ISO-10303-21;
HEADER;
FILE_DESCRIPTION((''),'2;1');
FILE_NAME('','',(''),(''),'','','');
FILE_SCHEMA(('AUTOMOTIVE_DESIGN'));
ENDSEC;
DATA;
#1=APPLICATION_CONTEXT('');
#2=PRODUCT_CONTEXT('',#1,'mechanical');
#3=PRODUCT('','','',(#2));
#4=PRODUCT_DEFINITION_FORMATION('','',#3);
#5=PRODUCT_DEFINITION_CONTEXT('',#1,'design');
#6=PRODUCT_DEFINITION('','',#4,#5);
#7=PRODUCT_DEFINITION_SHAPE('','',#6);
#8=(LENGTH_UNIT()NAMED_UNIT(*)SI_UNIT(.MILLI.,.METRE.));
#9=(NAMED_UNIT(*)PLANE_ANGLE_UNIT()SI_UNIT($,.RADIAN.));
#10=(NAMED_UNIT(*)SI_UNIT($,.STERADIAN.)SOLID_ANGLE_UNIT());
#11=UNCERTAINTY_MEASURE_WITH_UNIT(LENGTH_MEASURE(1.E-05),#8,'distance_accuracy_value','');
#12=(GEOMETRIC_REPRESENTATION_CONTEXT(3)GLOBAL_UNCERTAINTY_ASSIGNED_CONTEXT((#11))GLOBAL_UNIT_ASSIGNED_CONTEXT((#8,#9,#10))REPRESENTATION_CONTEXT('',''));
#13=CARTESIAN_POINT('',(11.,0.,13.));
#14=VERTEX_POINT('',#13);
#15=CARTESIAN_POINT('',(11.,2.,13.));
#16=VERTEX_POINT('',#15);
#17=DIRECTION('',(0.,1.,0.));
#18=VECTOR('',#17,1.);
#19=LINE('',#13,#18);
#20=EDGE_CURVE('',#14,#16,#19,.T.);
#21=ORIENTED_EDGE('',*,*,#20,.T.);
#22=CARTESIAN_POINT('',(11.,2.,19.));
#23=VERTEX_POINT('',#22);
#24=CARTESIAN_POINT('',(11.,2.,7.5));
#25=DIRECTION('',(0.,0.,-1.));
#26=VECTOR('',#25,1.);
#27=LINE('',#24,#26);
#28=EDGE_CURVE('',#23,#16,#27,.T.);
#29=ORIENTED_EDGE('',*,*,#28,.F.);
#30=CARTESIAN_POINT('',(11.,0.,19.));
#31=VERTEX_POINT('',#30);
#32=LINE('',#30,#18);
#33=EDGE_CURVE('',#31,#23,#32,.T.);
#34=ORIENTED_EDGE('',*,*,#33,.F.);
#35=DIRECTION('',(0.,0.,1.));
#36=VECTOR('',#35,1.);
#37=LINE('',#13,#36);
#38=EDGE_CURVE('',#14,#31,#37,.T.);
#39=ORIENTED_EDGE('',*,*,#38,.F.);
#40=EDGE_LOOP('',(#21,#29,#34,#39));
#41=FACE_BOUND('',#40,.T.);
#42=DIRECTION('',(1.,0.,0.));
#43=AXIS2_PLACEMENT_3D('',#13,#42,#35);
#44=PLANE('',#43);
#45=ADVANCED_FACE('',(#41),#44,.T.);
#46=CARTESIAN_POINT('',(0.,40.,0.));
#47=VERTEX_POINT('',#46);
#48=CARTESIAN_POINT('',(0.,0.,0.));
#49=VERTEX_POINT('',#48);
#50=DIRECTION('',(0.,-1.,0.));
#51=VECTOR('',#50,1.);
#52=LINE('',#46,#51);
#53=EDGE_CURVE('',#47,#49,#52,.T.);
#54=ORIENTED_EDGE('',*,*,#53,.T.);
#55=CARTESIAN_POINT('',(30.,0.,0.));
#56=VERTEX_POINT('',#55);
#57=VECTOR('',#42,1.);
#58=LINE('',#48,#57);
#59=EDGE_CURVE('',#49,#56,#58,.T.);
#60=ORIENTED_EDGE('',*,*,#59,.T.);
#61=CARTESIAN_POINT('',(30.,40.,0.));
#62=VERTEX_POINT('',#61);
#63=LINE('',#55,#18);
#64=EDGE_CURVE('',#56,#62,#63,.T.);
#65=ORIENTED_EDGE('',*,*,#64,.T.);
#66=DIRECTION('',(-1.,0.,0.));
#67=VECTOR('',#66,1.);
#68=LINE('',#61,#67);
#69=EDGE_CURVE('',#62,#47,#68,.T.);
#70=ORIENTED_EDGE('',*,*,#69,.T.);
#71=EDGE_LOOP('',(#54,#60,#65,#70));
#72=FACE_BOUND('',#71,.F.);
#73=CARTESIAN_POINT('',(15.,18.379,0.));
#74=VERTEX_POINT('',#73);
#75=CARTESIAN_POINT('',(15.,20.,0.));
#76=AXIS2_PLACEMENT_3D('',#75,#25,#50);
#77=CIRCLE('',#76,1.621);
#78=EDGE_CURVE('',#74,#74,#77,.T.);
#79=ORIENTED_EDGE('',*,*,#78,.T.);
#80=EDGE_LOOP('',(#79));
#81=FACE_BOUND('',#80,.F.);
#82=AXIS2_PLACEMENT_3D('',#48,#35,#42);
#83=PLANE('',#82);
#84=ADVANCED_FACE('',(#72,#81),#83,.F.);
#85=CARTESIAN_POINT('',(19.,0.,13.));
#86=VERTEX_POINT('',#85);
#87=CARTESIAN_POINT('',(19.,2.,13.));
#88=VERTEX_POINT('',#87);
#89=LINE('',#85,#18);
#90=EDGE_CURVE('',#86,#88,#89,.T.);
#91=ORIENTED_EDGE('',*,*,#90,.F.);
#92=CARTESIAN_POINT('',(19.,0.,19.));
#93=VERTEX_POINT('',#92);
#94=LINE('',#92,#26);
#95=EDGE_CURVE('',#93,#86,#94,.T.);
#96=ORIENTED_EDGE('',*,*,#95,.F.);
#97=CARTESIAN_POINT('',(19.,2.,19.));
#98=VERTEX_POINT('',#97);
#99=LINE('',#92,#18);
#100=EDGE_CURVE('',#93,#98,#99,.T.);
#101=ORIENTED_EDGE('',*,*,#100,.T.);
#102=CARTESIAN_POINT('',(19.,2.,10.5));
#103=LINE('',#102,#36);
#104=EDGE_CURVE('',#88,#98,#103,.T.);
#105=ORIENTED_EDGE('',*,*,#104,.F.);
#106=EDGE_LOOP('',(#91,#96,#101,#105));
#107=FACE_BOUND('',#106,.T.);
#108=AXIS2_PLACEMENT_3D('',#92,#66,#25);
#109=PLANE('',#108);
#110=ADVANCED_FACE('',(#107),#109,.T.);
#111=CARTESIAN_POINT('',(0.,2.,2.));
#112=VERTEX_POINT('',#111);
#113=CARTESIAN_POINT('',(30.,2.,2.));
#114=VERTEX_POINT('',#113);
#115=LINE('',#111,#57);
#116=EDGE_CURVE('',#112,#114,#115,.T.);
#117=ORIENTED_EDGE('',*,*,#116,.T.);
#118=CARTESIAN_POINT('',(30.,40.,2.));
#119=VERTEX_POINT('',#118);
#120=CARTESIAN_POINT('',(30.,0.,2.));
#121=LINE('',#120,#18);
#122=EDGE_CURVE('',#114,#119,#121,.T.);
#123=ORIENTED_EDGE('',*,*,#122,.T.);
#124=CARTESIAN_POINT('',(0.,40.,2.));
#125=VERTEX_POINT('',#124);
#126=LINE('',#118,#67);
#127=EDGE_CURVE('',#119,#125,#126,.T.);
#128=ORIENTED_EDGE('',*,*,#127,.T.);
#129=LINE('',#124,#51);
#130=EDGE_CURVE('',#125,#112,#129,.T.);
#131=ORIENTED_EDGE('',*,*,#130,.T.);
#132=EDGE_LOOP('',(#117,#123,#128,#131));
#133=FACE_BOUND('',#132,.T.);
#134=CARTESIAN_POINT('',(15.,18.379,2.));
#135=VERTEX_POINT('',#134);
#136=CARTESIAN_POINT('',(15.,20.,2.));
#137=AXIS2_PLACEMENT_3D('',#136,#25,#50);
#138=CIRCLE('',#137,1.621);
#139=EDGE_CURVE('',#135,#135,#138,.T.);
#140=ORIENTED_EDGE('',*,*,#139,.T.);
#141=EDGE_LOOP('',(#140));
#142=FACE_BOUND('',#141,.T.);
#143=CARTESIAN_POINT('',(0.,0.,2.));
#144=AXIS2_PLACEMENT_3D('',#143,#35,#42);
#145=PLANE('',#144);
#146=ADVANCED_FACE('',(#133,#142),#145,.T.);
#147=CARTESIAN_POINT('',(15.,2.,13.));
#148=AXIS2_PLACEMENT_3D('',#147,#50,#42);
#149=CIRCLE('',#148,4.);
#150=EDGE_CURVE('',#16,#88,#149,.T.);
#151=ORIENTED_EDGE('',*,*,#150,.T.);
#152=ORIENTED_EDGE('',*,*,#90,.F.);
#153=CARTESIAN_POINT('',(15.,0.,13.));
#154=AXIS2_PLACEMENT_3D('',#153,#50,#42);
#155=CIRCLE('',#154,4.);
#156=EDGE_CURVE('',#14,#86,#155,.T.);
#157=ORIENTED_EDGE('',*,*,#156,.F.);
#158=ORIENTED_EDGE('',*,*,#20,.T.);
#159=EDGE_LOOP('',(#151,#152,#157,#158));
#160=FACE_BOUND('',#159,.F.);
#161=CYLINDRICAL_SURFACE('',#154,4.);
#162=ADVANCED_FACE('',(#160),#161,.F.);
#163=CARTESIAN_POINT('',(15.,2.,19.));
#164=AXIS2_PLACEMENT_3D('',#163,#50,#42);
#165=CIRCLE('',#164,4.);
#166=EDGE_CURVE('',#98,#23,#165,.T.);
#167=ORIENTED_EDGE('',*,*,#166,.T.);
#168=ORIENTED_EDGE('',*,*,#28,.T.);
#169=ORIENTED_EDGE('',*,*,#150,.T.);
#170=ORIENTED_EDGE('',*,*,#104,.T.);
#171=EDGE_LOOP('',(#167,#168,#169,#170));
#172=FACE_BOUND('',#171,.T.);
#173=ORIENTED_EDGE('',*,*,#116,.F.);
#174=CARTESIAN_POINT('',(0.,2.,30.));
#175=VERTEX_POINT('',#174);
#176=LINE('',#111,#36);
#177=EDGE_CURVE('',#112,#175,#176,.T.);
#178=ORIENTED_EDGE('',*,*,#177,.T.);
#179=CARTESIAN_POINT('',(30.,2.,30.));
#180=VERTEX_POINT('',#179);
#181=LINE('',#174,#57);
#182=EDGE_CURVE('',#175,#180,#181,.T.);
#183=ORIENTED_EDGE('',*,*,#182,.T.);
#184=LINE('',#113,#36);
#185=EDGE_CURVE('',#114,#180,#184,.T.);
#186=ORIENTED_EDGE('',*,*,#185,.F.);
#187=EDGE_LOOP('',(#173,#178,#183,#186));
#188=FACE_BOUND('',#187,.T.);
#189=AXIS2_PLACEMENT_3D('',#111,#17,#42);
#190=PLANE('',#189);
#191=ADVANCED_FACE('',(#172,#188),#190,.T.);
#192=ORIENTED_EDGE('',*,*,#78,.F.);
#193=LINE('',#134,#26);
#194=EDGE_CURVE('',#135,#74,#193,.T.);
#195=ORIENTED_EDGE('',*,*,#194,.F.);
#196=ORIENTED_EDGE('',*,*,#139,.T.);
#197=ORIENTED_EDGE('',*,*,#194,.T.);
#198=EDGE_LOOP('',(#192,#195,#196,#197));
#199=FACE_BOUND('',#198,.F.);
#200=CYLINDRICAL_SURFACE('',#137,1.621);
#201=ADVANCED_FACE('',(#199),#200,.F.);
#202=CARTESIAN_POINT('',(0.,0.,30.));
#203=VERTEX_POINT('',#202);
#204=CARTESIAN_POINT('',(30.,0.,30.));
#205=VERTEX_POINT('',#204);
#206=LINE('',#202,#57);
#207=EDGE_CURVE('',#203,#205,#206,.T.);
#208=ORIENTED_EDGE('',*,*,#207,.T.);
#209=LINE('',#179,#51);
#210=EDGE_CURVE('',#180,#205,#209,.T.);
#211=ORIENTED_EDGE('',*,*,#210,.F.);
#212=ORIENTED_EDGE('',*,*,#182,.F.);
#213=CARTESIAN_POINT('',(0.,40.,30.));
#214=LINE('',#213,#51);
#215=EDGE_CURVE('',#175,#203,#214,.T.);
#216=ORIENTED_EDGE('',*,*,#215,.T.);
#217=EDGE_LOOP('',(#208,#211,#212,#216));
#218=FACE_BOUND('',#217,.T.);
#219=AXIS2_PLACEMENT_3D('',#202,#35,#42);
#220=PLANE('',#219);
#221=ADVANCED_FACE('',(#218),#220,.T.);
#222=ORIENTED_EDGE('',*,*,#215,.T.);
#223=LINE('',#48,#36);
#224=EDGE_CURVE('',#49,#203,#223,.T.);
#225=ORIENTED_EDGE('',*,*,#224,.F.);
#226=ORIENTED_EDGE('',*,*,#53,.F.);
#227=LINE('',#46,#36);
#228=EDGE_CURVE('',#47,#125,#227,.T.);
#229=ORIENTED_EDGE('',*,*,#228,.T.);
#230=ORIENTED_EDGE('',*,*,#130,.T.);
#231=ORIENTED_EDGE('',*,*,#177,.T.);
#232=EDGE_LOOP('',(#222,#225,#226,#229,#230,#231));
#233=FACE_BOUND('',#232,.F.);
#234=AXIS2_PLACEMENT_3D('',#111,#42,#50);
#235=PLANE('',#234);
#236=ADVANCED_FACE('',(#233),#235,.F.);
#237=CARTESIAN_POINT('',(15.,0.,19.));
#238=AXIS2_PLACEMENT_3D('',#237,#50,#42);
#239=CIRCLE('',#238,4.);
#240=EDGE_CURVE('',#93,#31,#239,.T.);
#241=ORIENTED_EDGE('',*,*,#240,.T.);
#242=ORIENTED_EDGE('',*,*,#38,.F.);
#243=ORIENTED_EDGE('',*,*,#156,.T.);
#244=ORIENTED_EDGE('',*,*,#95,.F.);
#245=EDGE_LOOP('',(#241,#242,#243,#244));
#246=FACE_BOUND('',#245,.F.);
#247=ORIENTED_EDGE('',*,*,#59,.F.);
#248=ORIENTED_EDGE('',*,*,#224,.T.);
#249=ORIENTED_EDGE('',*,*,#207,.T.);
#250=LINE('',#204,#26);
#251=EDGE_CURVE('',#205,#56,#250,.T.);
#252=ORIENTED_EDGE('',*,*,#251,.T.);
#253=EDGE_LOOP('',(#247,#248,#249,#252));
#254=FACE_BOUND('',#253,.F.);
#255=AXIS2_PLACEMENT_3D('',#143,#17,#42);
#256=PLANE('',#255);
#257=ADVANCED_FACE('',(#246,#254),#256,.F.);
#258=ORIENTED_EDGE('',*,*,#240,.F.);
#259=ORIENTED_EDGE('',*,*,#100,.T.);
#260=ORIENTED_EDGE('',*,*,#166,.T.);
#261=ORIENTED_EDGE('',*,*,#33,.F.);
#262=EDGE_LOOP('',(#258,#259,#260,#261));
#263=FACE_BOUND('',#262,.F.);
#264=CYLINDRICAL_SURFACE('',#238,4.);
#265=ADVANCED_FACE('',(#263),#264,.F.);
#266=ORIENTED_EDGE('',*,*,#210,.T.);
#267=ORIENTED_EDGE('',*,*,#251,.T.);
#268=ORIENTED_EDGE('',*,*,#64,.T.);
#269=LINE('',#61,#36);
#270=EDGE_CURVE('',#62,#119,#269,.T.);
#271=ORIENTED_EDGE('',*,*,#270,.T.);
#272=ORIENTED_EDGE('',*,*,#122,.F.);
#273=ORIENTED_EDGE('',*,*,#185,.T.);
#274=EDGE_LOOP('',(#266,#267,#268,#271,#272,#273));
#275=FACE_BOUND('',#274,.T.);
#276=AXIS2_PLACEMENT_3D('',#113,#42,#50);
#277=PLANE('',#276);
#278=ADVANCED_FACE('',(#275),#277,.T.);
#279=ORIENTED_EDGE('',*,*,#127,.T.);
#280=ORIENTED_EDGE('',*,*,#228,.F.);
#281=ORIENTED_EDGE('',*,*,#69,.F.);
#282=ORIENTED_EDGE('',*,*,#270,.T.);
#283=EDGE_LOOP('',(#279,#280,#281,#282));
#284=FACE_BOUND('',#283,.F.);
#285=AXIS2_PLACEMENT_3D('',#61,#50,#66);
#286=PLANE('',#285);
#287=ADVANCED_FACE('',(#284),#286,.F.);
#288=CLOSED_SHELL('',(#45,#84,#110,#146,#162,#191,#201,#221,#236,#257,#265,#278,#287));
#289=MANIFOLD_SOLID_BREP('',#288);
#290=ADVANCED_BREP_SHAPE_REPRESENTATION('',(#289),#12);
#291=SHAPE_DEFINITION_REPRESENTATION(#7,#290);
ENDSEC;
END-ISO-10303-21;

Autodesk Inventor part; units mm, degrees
ref_plane "YZ Plane" through (0, 0, 0) normal (1, 0, 0) x (0, 1, 0)
ref_plane "XZ Plane" through (0, 0, 0) normal (0, 1, 0) x (-1, 0, 0)
ref_plane "XY Plane" through (0, 0, 0) normal (0, 0, 1) x (1, 0, 0)
sketch "スケッチ1" plane through (0, 0, 0) normal (0, 0, 1) x (1, 0, 0)
  line L0 (0, 0) -> (30, 0)
  line L1 (30, 0) -> (30, 40)
  line L2 (30, 40) -> (0, 40)
  line L3 (0, 40) -> (0, 0)
  point P0 (15, 20)
  dimension "d0" = 30
  dimension "d1" = 40
  dimension "d2" = 20
  dimension "d3" = 15
extrude "押し出し1" add sketch "スケッチ1" along normal blind 2
sketch "スケッチ2" plane through (0, 0, 2) normal (0, 0, 1) x (1, 0, 0)
  line L0 (30, 0) -> (30, 40) projected
  line L1 (30, 40) -> (0, 40) projected
  point P0 (0, 0)
  point P1 (15, 20)
  dimension "d6" = 15
  dimension "d7" = 20
hole "穴1" at (15, 20, 2) direction (0, 0, -1) diameter 3.242 end through all thread size "M4x0.7" class "6H" standard "ISO Metric profile"
sketch "スケッチ5" plane through (0, 0, 2) normal (0, 0, 1) x (1, 0, 0)
  line L0 (0, 40) -> (0, 0) projected
  line L1 (0, 0) -> (30, 0) projected
  line L2 (0, 2) -> (30, 2)
  line L3 (30, 2) -> (30, 0)
  line L4 (30, 0) -> (0, 0)
  line L5 (0, 0) -> (0, 2)
  dimension "d15" = 2
  dimension "d16" = 30
extrude "押し出し2" add sketch "スケッチ5" along normal blind 28
sketch "スケッチ10" plane through (0, 0, 0) normal (0, -1, 0) x (1, 0, 0)
  line L0 (11, 19) -> (19, 19)
  line L1 (19, 19) -> (19, 13)
  line L2 (19, 13) -> (11, 13)
  line L3 (11, 13) -> (11, 19)
  line L4 (30, 0) -> (30, 30) projected
  line L5 (0, 30) -> (30, 30) projected
  point P0 (0, 0)
  dimension "d32" = 8
  dimension "d33" = 11
  dimension "d34" = 11
  dimension "d35" = 6
extrude "押し出し6" cut sketch "スケッチ10" against normal blind 10
sketch "スケッチ11" plane through (0, 0, 0) normal (0, -1, 0) x (1, 0, 0)
  line L0 (11, 19) -> (19, 19) projected
  circle A0 centre (15, 19) radius 4
  line L1 (11, 13) -> (19, 13) projected
  circle A1 centre (15, 13) radius 4
  point P0 (0, 0)
  point P1 (12.3542, 16)
  point P2 (17.6458, 16)
extrude "押し出し7" cut sketch "スケッチ11" against normal blind 10 contours A0 L0 | A0 A1 L1
sketch "スケッチ12" plane through (0, 0, 0) normal (0, -1, 0) x (1, 0, 0)
  line L0 (11, 13) -> (19, 13) projected
  circle A0 centre (15, 13) radius 4
  point P0 (0, 0)
extrude "押し出し8" cut sketch "スケッチ12" against normal blind 10 contours L0 A0 picked at (13.7054, 12.6809)
properties part number "規定課題1"
